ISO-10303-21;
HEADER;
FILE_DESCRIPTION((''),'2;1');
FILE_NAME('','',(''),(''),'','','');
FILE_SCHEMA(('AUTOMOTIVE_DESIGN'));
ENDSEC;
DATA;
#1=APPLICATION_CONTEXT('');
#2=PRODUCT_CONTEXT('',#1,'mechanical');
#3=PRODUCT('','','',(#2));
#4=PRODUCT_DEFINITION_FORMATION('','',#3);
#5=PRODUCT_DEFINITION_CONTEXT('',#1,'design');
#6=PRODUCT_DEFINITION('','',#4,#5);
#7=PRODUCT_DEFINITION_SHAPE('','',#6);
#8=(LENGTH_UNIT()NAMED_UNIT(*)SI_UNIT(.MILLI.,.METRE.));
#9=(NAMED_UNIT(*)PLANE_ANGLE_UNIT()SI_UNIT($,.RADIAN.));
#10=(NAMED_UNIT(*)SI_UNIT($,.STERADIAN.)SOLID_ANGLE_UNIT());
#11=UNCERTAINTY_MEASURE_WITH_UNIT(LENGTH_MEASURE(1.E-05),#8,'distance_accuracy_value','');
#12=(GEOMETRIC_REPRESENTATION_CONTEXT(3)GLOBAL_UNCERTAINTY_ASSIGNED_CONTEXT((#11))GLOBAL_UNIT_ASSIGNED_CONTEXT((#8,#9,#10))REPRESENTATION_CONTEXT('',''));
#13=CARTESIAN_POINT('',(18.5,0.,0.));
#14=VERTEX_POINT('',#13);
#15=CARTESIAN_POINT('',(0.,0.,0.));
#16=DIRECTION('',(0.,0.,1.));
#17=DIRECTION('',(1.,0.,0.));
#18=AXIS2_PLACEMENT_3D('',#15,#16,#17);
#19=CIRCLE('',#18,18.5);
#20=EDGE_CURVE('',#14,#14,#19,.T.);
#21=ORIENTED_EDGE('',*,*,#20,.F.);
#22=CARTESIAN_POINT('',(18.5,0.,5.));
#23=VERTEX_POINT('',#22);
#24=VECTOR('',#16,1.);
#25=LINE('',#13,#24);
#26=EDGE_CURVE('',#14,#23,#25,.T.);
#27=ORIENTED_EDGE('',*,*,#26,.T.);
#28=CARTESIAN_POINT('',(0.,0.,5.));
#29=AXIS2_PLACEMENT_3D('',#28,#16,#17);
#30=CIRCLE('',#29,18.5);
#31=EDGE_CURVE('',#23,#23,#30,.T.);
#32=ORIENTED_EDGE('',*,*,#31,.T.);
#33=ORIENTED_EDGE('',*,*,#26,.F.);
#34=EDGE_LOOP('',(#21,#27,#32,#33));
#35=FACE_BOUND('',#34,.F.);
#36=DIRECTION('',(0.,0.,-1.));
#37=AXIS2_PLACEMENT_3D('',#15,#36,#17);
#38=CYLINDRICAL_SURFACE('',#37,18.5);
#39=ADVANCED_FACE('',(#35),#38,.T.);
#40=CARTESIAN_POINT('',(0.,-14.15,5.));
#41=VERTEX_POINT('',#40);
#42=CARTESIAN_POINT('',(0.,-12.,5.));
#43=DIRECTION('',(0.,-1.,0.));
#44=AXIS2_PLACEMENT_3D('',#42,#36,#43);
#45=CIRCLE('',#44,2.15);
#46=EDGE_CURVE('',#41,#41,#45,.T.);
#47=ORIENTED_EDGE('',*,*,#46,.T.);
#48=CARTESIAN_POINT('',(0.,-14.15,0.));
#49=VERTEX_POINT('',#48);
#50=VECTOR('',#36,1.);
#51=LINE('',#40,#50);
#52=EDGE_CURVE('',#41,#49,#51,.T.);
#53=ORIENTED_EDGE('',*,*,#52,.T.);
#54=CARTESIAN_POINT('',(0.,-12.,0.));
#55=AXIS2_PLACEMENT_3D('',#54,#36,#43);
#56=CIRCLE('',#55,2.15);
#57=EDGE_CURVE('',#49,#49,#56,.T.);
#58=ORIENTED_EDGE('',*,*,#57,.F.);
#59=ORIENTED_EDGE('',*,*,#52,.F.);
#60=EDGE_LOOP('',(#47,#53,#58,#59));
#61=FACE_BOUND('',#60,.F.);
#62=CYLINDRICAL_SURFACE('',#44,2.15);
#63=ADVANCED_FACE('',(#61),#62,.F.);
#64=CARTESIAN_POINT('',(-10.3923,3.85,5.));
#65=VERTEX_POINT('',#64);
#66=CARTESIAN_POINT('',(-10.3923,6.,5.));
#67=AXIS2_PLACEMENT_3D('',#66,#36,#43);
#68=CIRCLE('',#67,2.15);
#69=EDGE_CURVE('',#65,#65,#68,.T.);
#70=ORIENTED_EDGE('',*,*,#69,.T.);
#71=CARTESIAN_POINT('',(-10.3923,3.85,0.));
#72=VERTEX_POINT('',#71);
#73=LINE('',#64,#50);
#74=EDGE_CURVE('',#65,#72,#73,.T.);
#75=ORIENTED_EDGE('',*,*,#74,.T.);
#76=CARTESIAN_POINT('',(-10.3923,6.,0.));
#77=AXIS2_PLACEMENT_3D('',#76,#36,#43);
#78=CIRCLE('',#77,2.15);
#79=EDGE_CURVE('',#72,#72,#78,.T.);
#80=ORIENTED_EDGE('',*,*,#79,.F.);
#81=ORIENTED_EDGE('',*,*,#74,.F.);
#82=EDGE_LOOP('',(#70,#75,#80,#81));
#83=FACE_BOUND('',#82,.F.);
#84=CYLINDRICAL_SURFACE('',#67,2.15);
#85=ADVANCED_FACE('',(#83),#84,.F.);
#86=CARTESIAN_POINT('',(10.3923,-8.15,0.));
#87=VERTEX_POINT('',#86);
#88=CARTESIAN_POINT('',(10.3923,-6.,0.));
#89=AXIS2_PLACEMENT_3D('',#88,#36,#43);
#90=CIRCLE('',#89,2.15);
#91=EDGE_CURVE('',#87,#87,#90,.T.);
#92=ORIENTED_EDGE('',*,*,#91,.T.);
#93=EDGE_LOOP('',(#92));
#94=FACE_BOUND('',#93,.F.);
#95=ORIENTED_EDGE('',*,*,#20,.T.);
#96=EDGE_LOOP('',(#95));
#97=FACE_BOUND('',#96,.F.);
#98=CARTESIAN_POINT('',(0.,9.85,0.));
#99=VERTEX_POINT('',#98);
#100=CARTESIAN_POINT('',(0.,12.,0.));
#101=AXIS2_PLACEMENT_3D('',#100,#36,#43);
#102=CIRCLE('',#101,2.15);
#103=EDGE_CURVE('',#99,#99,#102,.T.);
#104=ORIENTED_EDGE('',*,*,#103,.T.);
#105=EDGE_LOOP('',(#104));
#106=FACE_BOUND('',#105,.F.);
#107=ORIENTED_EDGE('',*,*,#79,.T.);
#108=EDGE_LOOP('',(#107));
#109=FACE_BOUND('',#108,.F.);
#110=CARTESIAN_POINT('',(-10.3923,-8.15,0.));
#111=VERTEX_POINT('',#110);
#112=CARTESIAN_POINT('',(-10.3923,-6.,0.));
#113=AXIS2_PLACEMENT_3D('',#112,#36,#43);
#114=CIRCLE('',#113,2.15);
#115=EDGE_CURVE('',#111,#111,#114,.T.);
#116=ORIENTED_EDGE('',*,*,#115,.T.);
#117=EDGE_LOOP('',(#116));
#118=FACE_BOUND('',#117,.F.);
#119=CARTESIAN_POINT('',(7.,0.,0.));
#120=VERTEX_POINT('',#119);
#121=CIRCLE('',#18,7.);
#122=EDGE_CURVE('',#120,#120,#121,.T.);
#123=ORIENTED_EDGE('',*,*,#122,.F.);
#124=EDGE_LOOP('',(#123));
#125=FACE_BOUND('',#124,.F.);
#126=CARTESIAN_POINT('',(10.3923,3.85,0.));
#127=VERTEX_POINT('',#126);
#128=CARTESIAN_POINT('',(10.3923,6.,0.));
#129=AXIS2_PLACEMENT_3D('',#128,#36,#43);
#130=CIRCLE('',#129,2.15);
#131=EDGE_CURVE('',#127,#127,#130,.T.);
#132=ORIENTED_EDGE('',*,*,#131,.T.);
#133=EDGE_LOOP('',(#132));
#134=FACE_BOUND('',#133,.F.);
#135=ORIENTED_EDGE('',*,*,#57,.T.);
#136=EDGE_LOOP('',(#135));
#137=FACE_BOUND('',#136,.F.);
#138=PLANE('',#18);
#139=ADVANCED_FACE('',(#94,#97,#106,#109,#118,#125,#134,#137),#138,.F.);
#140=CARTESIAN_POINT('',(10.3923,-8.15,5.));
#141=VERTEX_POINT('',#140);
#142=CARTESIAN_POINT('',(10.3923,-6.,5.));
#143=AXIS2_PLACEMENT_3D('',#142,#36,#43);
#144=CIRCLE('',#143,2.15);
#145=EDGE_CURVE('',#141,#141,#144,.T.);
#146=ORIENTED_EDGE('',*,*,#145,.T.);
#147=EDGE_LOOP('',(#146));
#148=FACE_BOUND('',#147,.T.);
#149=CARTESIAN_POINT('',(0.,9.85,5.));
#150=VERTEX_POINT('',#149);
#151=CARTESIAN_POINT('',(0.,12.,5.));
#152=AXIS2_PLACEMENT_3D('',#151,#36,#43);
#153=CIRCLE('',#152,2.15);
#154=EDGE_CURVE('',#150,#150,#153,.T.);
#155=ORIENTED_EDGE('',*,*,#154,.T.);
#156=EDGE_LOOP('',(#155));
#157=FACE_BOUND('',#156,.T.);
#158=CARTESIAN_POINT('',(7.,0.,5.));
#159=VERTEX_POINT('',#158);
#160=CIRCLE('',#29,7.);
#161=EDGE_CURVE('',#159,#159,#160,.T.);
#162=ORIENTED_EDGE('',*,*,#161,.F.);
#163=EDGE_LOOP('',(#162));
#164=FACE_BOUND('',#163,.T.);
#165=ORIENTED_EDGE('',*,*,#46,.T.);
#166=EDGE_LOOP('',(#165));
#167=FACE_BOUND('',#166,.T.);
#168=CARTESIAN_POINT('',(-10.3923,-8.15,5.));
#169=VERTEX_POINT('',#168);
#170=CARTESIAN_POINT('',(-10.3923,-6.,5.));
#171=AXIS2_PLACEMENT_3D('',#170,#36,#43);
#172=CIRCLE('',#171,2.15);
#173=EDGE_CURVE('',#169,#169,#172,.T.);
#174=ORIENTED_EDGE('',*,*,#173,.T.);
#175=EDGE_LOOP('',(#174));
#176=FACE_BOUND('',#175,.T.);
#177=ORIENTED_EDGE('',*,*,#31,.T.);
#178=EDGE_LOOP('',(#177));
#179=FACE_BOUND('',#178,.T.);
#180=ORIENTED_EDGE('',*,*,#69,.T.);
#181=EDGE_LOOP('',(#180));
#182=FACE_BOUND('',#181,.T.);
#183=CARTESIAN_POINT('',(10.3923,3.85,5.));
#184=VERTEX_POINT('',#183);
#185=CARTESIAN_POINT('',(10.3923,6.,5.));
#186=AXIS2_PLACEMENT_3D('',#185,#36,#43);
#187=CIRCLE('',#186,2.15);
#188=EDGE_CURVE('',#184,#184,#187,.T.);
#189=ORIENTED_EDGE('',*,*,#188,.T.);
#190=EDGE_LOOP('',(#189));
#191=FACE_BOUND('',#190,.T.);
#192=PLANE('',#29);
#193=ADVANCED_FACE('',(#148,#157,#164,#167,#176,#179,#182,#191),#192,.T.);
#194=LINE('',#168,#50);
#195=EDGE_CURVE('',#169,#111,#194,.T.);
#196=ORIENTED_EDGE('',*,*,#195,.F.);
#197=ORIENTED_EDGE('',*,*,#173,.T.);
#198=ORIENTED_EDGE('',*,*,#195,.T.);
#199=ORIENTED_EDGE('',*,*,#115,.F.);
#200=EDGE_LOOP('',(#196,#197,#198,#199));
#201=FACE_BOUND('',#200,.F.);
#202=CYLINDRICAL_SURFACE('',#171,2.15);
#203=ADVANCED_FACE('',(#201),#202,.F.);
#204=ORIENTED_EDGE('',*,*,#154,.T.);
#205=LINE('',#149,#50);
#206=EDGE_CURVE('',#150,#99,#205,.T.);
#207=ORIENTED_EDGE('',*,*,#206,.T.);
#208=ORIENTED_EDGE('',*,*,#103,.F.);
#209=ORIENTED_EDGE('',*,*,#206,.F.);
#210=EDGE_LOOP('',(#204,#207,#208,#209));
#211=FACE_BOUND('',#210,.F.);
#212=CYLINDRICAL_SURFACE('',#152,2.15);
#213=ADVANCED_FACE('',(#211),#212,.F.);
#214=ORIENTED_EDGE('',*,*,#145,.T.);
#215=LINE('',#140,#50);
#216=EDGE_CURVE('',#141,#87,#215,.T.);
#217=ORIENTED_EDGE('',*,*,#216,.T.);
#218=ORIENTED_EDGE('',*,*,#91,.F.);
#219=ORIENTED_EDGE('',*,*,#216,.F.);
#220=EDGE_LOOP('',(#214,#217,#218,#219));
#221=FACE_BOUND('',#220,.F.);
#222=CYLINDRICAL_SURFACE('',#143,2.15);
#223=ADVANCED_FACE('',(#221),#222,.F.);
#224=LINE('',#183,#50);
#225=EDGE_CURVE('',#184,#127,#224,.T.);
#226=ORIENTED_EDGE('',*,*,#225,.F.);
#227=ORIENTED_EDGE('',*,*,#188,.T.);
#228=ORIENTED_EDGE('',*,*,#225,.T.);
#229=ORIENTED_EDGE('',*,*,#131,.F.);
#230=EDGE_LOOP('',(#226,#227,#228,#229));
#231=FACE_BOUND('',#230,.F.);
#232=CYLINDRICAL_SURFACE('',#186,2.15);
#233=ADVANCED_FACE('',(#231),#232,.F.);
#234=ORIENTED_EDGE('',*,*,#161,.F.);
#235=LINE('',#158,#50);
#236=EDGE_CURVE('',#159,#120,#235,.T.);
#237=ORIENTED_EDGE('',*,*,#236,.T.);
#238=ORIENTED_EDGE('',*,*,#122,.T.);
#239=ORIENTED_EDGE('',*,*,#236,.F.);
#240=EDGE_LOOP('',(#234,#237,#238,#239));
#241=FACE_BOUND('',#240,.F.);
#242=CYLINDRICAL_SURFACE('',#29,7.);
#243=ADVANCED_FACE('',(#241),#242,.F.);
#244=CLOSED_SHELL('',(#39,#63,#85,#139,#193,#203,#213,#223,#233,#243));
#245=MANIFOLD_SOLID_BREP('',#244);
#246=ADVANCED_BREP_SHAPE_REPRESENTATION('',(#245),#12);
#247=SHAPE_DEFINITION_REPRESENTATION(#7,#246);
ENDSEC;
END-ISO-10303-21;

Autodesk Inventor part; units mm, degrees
ref_plane "YZ Plane" through (0, 0, 0) normal (1, 0, 0) x (0, 1, 0)
ref_plane "XZ Plane" through (0, 0, 0) normal (0, 1, 0) x (-1, 0, 0)
ref_plane "XY Plane" through (0, 0, 0) normal (0, 0, 1) x (1, 0, 0)
sketch "スケッチ1" plane through (0, 0, 0) normal (0, 0, 1) x (1, 0, 0)
  circle A0 centre (0, 0) radius 18.5
  dimension "d0" = 37
extrude "押し出し1" add sketch "スケッチ1" along normal blind 5
sketch "スケッチ2" plane through (0, 0, 5) normal (0, 0, 1) x (1, 0, 0)
  circle A0 centre (0, 0) radius 12
  point P0 (0, 12)
  point P1 (-10.3923, 6)
  point P2 (-10.3923, -6)
  point P3 (0, -12)
  point P4 (10.3923, -6)
  point P5 (10.3923, 6)
  dimension "d3" = 24
  dimension "d6" = 360
hole "穴1" at (0, 12, 5) at (-10.3923, 6, 5) at (-10.3923, -6, 5) at (0, -12, 5) at (10.3923, -6, 5) at (10.3923, 6, 5) direction (0, 0, -1) diameter 4.3 end through all
sketch "スケッチ3" plane through (0, 0, 5) normal (0, 0, 1) x (1, 0, 0)
  circle A0 centre (0, 0) radius 7
  dimension "d15" = 14
extrude "押し出し2" cut sketch "スケッチ3" against normal blind 5
properties part number "servoplate_forR6" material "アルミニウム 6061"
